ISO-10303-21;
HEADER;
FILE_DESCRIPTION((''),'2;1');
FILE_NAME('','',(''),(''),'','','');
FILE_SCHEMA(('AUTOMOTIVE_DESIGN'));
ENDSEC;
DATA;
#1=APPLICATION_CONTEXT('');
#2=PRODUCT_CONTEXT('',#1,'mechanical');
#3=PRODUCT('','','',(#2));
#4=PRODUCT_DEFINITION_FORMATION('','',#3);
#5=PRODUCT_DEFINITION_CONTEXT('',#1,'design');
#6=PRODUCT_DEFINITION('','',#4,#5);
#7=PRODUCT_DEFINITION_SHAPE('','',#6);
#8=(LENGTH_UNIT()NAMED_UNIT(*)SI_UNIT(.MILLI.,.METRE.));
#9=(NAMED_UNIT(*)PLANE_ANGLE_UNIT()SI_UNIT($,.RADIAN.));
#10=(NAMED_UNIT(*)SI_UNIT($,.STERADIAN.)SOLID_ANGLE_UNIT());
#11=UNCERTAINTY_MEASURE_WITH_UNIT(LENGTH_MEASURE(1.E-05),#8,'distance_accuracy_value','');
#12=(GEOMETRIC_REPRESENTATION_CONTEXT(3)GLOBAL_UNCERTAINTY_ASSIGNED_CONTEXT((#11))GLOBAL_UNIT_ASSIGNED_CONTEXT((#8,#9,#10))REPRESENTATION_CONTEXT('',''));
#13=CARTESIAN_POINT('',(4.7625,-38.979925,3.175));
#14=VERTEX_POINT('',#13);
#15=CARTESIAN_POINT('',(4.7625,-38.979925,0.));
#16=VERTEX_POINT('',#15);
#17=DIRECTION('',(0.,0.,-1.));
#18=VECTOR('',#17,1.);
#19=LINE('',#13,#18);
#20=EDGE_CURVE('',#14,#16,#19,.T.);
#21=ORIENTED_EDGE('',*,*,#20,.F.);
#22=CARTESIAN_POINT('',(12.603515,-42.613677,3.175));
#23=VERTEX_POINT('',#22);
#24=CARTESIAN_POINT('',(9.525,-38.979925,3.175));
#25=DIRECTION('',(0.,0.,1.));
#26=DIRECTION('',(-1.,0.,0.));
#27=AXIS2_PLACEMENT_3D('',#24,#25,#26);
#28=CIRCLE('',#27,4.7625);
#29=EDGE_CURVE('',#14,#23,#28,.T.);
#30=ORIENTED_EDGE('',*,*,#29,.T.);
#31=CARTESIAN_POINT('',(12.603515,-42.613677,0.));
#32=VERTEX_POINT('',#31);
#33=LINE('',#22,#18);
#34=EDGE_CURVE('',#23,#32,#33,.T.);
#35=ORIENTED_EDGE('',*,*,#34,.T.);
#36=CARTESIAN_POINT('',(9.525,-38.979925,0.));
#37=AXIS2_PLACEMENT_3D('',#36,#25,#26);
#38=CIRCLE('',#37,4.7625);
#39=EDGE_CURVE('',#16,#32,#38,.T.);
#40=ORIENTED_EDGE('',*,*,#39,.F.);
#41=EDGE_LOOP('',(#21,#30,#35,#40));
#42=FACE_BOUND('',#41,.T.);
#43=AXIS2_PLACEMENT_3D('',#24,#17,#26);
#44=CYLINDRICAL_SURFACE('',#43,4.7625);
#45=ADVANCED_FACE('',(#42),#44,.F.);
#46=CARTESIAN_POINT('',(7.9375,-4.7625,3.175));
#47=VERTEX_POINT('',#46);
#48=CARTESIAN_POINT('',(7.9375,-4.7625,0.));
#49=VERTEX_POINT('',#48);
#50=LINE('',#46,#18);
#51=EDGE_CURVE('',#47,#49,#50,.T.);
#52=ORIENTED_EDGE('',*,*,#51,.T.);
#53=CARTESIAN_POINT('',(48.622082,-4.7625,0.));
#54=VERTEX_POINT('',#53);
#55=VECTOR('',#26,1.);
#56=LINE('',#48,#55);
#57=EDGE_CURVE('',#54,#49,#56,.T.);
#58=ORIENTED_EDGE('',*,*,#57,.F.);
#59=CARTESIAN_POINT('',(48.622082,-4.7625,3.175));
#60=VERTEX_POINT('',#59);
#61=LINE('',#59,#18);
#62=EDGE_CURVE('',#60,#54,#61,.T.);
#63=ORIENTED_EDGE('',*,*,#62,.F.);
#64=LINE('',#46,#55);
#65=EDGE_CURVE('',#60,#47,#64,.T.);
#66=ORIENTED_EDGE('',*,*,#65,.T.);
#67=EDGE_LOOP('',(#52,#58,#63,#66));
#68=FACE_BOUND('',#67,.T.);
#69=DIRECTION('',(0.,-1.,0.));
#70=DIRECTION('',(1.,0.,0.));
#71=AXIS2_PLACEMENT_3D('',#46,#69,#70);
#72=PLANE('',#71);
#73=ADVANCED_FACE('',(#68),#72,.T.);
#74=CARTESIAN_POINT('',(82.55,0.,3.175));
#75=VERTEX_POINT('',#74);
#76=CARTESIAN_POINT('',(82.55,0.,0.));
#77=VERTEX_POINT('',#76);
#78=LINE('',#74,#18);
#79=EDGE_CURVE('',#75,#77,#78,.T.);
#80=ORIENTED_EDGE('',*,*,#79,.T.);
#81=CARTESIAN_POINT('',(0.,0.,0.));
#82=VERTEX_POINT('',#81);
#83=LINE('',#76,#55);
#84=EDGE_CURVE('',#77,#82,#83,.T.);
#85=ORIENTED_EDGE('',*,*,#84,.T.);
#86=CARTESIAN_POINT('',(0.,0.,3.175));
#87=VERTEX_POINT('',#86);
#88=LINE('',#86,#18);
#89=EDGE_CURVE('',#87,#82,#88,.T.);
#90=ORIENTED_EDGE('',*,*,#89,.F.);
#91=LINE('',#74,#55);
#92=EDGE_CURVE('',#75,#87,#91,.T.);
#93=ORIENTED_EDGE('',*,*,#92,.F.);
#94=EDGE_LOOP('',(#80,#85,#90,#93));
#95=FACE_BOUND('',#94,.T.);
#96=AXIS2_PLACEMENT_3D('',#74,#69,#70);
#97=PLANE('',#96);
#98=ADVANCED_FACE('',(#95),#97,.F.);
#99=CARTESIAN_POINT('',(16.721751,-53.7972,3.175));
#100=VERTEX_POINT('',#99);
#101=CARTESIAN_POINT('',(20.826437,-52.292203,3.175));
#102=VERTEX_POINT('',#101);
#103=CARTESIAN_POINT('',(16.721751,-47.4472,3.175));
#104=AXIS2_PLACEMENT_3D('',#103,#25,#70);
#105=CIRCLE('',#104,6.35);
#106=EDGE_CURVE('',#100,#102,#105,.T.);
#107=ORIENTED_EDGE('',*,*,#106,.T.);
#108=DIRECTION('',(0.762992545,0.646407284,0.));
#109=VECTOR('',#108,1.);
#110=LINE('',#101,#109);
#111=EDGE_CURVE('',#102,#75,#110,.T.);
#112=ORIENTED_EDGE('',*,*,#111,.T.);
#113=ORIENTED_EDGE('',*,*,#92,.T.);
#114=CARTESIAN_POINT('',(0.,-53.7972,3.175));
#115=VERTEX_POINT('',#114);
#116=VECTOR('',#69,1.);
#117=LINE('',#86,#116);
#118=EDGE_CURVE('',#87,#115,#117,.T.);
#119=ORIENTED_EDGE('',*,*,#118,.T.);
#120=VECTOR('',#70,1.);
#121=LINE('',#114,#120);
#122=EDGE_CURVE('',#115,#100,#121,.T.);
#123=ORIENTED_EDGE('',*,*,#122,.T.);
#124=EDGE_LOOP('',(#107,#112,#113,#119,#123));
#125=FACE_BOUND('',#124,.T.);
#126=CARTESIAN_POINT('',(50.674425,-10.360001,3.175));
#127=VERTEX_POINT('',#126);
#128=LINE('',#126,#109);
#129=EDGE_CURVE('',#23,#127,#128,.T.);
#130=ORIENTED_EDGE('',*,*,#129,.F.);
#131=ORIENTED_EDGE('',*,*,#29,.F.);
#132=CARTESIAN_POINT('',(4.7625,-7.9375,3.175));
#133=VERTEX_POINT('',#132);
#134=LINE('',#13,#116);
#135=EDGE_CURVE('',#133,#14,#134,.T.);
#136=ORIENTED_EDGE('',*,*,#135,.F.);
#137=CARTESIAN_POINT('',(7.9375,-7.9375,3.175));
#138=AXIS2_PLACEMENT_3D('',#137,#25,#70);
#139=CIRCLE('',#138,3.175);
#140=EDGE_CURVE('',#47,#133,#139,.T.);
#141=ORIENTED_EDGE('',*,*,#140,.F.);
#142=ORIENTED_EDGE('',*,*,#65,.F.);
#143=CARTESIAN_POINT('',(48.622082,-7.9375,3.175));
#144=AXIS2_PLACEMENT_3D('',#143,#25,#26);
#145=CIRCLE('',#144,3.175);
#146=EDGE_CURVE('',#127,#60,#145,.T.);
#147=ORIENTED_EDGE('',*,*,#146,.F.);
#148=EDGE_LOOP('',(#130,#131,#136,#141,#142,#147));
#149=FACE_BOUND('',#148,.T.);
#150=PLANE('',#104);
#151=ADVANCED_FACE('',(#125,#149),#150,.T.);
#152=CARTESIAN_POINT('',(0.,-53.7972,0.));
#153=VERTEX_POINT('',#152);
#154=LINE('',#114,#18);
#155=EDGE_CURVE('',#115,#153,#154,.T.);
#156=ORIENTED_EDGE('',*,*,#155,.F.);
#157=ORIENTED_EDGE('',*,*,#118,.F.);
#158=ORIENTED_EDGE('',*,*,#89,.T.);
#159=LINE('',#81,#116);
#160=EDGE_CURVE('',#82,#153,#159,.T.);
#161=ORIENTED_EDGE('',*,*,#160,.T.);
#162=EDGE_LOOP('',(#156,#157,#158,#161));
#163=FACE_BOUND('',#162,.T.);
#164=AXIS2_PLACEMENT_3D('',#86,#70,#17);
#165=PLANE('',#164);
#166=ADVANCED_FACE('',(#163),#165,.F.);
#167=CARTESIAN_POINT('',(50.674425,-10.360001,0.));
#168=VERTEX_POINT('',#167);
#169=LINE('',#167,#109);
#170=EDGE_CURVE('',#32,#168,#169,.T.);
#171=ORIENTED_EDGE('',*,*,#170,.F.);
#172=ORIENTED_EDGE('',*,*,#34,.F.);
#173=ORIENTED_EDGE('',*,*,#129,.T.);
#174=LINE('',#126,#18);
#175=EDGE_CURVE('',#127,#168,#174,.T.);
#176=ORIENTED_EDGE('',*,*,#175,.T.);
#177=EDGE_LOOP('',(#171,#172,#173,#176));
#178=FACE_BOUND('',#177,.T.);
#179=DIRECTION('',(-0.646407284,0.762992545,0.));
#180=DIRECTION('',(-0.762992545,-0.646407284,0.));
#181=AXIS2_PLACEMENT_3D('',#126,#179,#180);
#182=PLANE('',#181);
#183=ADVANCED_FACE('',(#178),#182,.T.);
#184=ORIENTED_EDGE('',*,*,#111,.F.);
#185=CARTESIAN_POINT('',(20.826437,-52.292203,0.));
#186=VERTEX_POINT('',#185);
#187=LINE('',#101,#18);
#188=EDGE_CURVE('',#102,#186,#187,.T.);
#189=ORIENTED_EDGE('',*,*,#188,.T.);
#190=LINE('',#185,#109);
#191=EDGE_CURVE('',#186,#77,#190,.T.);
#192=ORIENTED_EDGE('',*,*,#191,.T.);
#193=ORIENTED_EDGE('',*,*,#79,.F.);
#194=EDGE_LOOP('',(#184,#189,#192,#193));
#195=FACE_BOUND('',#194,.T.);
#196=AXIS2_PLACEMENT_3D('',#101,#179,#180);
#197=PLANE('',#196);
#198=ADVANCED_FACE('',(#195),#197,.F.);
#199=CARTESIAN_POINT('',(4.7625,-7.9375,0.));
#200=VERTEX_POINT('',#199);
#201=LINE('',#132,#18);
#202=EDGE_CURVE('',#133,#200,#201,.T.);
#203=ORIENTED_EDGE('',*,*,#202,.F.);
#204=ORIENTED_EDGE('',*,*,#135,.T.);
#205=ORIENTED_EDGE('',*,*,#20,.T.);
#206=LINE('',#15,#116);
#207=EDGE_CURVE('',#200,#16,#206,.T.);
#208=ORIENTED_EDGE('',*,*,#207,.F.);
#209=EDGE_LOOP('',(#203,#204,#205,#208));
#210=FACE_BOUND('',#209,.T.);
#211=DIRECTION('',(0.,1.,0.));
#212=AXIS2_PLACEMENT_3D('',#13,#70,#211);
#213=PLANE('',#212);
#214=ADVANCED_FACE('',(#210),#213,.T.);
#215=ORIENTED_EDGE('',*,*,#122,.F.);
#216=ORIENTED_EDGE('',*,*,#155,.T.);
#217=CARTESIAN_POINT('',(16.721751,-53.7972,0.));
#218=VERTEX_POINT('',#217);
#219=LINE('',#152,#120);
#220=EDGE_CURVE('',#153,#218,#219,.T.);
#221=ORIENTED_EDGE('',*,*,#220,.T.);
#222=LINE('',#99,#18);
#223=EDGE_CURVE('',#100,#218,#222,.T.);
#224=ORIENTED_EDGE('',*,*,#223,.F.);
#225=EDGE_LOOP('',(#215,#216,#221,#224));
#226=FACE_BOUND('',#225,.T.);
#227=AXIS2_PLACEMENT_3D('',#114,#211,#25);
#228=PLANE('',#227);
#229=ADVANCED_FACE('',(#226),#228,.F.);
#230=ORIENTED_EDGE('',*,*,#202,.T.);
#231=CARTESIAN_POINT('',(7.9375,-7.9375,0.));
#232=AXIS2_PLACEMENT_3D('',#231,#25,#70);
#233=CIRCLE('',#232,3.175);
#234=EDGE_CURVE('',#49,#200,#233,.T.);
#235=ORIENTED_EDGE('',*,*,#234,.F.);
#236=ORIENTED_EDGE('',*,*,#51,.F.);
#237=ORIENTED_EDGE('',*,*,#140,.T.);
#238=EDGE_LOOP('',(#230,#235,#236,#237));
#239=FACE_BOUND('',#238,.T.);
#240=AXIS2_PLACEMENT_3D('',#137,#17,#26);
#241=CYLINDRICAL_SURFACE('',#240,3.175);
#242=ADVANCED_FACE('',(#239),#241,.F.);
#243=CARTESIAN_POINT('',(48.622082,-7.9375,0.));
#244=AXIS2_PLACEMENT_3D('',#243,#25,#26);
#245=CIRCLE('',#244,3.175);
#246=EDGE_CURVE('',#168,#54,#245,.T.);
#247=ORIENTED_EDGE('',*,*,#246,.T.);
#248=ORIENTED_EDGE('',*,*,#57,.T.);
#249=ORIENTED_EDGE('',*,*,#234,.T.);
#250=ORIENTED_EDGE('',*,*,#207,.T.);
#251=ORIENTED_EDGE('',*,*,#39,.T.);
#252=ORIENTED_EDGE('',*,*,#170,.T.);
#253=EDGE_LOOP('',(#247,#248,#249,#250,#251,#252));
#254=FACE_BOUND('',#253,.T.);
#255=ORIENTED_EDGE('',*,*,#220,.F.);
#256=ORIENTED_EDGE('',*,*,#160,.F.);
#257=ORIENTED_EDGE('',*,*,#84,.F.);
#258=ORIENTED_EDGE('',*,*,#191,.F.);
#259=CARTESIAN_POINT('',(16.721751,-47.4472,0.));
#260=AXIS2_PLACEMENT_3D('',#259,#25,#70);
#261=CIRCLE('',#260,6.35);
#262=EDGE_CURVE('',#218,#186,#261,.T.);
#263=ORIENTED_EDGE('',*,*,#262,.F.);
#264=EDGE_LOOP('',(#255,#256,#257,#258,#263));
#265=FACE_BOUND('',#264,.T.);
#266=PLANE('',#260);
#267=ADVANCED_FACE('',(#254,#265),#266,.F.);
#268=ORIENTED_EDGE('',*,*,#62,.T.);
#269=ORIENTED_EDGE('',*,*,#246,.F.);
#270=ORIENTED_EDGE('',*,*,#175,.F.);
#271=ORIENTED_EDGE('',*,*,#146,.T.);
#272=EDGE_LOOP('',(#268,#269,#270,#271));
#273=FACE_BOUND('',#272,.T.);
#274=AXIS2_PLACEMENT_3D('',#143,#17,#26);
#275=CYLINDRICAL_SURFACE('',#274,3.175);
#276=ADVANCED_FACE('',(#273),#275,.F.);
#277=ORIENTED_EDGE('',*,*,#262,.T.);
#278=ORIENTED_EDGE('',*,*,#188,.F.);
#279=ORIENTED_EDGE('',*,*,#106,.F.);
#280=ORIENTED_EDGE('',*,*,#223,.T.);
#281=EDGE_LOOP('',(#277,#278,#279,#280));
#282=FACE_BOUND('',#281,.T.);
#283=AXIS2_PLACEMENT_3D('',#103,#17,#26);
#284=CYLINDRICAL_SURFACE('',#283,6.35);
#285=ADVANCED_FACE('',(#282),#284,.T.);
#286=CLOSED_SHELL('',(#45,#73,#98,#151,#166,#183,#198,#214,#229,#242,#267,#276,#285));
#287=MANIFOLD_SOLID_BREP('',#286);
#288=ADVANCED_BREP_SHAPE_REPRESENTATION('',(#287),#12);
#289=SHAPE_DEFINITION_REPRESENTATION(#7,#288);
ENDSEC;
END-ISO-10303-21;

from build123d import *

# Parameters (mm, degrees)
BOSS_EXTRUDE1_DEPTH = 3.175


with BuildPart() as part:
    # Sketch1 → Boss-Extrude1 (new body)
    with BuildSketch(Plane.XY):
        with BuildLine():
            Line((0, 0), (0, -53.7972))
            Line((0, -53.7972), (16.721750646, -53.7972))
            ThreePointArc((16.721750646, -53.7972), (18.907698166, -53.40909009), (20.826436899, -52.292202659))
            Line((20.826436899, -52.292202659), (82.55, 0))
            Line((82.55, 0), (0, 0))
        make_face()
        with BuildLine():
            Line((7.9375, -4.7625), (48.622081998, -4.7625))
            ThreePointArc((48.622081998, -4.7625), (51.603027043, -6.84452624), (50.674425125, -10.36000133))
            Line((50.674425125, -10.36000133), (12.60351469, -42.61367665))
            ThreePointArc((12.60351469, -42.61367665), (7.522504052, -43.300968075), (4.7625, -38.979924656))
            Line((4.7625, -38.979924656), (4.7625, -7.9375))
            ThreePointArc((4.7625, -7.9375), (5.69243597, -5.69243597), (7.9375, -4.7625))
        make_face(mode=Mode.SUBTRACT)
    extrude(amount=BOSS_EXTRUDE1_DEPTH)


solid = part.part
